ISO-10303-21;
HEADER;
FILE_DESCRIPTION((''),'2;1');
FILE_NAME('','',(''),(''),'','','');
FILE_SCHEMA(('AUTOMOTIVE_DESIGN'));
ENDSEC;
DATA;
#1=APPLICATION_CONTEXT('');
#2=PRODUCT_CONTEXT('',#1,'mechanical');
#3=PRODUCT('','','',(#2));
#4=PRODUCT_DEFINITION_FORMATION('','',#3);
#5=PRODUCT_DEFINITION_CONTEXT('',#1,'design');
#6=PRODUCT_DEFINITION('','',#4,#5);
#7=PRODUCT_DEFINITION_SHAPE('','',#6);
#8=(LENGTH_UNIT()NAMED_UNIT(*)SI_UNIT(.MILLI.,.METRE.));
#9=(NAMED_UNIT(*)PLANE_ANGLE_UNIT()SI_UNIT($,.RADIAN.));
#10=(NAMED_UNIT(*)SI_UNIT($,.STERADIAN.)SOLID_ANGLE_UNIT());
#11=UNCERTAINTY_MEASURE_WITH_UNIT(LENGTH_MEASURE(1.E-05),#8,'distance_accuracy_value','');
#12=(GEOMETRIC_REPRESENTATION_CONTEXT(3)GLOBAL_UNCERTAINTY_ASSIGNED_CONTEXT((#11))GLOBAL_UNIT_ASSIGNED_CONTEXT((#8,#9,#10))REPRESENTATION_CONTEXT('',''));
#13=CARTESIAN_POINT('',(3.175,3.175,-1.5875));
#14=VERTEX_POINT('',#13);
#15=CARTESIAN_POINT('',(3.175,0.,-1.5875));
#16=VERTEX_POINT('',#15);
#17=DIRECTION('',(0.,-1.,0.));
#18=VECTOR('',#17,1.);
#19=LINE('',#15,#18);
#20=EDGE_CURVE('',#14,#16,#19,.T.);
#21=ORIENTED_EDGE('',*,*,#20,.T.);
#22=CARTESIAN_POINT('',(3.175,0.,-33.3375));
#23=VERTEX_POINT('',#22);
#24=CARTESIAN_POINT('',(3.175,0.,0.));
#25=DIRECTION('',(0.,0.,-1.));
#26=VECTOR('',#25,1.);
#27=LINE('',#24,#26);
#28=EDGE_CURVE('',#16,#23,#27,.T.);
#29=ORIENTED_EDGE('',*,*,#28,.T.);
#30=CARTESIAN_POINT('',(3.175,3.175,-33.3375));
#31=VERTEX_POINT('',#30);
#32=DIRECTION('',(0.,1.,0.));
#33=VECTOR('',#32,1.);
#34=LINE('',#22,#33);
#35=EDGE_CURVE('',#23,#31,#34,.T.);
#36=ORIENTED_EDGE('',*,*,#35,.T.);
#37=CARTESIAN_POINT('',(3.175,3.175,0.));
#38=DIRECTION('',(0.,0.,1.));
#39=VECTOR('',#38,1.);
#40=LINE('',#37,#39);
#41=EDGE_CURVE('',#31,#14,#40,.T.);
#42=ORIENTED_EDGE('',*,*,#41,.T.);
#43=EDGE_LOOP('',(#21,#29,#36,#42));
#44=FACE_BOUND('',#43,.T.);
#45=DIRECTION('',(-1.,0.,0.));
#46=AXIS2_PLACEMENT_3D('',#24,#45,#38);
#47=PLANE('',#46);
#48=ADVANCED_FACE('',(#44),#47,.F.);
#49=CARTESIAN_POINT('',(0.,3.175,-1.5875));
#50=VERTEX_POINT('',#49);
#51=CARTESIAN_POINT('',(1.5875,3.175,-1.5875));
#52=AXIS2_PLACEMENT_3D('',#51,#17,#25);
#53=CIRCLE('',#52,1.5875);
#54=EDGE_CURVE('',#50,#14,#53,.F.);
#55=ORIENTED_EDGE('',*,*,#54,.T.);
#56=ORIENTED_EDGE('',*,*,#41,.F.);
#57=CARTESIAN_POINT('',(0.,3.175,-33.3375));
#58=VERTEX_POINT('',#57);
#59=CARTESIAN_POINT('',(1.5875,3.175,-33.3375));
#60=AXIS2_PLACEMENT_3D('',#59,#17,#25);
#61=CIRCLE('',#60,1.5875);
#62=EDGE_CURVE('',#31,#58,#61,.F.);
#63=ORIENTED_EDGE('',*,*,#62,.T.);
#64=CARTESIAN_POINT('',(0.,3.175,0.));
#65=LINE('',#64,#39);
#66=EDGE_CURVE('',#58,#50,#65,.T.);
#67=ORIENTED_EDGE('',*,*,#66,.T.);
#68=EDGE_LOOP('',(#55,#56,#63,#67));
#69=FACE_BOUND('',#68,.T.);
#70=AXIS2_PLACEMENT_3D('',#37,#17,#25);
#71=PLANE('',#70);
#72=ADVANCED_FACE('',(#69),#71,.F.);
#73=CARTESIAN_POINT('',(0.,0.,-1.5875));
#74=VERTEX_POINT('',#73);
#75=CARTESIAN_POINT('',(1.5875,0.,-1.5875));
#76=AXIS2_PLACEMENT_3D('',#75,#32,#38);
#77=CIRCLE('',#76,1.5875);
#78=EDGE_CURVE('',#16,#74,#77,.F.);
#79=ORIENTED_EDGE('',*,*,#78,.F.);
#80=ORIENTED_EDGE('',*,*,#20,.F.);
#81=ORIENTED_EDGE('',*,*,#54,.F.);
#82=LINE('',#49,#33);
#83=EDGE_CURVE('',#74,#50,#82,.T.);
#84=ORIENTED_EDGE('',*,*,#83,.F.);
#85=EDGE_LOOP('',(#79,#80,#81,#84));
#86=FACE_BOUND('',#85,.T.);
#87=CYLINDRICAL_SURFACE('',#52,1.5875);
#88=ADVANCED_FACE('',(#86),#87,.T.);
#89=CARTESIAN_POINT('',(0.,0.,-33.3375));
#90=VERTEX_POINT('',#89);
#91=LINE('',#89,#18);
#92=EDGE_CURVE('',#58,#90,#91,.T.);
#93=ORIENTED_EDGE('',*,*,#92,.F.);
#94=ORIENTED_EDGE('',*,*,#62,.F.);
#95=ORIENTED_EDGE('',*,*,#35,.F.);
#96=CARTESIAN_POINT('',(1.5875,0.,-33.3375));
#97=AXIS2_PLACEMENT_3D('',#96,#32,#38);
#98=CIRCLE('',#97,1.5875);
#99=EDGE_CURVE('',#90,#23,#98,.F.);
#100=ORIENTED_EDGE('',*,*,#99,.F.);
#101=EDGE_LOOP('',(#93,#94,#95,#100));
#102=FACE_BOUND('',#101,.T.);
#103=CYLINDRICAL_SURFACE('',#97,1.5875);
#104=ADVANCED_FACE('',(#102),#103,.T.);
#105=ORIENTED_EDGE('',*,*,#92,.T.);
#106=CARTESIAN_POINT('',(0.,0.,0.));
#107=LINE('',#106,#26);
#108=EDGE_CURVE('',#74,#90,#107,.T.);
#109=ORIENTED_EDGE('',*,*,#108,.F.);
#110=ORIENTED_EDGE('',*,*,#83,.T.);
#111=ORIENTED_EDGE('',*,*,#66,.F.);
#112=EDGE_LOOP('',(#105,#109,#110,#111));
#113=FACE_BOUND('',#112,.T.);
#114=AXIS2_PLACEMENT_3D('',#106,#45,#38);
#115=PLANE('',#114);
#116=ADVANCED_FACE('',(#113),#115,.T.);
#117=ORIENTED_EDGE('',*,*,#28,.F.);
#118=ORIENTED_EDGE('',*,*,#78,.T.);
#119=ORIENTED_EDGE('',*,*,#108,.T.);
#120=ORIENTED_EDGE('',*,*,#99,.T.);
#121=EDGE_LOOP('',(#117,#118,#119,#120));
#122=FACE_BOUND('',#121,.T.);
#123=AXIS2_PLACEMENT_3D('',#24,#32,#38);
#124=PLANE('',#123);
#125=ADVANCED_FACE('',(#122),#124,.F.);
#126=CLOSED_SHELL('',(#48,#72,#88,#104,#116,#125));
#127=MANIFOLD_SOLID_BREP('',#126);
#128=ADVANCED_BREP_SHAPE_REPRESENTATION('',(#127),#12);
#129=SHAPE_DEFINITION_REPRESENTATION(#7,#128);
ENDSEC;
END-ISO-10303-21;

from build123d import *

# Parameters (mm, degrees)
SKETCH1_W           = 34.925
SKETCH1_H           = 3.175
BOSS_EXTRUDE1_DEPTH = 3.175
FILLET1_RADIUS      = 1.5875
FILLET1_LENGTH      = 3.175
FILLET2_RADIUS      = 1.5875
FILLET2_LENGTH      = 3.175


with BuildPart() as part:
    # Sketch1 → Boss-Extrude1 (new body)
    with BuildSketch(Plane(origin=(0, 0, 0), x_dir=(0, 0, -1), z_dir=(1, 0, 0))):
        with Locations((17.4625, 1.5875)):
            Rectangle(SKETCH1_W, SKETCH1_H)
    extrude(amount=BOSS_EXTRUDE1_DEPTH)

    # Fillet1: full round fillet: the end face becomes a half cylinder, R = half its width
    fillet1_face = Plane((1.5875, 1.5875, 0), x_dir=(0, 1, 0), z_dir=(0, 0, 1))  # on the end face: x along it, z out of the body
    fillet1_slab = fillet1_face.offset(-FILLET1_RADIUS / 2) * Box(FILLET1_LENGTH, 2 * FILLET1_RADIUS, FILLET1_RADIUS, mode=Mode.PRIVATE)  # the body's end, R deep
    fillet1_round = Plane((1.5875, 1.5875, -1.5875), x_dir=(0, 0, 1), z_dir=(0, 1, 0)) * Cylinder(FILLET1_RADIUS, FILLET1_LENGTH, mode=Mode.PRIVATE)  # its axis R under the face
    add(fillet1_slab - fillet1_round, mode=Mode.SUBTRACT)

    # Fillet2: full round fillet: the end face becomes a half cylinder, R = half its width
    fillet2_face = Plane((1.5875, 1.5875, -34.925), x_dir=(0, -1, 0), z_dir=(0, 0, -1))  # on the end face: x along it, z out of the body
    fillet2_slab = fillet2_face.offset(-FILLET2_RADIUS / 2) * Box(FILLET2_LENGTH, 2 * FILLET2_RADIUS, FILLET2_RADIUS, mode=Mode.PRIVATE)  # the body's end, R deep
    fillet2_round = Plane((1.5875, 1.5875, -33.3375), x_dir=(0, 0, -1), z_dir=(0, -1, 0)) * Cylinder(FILLET2_RADIUS, FILLET2_LENGTH, mode=Mode.PRIVATE)  # its axis R under the face
    add(fillet2_slab - fillet2_round, mode=Mode.SUBTRACT)


solid = part.part
